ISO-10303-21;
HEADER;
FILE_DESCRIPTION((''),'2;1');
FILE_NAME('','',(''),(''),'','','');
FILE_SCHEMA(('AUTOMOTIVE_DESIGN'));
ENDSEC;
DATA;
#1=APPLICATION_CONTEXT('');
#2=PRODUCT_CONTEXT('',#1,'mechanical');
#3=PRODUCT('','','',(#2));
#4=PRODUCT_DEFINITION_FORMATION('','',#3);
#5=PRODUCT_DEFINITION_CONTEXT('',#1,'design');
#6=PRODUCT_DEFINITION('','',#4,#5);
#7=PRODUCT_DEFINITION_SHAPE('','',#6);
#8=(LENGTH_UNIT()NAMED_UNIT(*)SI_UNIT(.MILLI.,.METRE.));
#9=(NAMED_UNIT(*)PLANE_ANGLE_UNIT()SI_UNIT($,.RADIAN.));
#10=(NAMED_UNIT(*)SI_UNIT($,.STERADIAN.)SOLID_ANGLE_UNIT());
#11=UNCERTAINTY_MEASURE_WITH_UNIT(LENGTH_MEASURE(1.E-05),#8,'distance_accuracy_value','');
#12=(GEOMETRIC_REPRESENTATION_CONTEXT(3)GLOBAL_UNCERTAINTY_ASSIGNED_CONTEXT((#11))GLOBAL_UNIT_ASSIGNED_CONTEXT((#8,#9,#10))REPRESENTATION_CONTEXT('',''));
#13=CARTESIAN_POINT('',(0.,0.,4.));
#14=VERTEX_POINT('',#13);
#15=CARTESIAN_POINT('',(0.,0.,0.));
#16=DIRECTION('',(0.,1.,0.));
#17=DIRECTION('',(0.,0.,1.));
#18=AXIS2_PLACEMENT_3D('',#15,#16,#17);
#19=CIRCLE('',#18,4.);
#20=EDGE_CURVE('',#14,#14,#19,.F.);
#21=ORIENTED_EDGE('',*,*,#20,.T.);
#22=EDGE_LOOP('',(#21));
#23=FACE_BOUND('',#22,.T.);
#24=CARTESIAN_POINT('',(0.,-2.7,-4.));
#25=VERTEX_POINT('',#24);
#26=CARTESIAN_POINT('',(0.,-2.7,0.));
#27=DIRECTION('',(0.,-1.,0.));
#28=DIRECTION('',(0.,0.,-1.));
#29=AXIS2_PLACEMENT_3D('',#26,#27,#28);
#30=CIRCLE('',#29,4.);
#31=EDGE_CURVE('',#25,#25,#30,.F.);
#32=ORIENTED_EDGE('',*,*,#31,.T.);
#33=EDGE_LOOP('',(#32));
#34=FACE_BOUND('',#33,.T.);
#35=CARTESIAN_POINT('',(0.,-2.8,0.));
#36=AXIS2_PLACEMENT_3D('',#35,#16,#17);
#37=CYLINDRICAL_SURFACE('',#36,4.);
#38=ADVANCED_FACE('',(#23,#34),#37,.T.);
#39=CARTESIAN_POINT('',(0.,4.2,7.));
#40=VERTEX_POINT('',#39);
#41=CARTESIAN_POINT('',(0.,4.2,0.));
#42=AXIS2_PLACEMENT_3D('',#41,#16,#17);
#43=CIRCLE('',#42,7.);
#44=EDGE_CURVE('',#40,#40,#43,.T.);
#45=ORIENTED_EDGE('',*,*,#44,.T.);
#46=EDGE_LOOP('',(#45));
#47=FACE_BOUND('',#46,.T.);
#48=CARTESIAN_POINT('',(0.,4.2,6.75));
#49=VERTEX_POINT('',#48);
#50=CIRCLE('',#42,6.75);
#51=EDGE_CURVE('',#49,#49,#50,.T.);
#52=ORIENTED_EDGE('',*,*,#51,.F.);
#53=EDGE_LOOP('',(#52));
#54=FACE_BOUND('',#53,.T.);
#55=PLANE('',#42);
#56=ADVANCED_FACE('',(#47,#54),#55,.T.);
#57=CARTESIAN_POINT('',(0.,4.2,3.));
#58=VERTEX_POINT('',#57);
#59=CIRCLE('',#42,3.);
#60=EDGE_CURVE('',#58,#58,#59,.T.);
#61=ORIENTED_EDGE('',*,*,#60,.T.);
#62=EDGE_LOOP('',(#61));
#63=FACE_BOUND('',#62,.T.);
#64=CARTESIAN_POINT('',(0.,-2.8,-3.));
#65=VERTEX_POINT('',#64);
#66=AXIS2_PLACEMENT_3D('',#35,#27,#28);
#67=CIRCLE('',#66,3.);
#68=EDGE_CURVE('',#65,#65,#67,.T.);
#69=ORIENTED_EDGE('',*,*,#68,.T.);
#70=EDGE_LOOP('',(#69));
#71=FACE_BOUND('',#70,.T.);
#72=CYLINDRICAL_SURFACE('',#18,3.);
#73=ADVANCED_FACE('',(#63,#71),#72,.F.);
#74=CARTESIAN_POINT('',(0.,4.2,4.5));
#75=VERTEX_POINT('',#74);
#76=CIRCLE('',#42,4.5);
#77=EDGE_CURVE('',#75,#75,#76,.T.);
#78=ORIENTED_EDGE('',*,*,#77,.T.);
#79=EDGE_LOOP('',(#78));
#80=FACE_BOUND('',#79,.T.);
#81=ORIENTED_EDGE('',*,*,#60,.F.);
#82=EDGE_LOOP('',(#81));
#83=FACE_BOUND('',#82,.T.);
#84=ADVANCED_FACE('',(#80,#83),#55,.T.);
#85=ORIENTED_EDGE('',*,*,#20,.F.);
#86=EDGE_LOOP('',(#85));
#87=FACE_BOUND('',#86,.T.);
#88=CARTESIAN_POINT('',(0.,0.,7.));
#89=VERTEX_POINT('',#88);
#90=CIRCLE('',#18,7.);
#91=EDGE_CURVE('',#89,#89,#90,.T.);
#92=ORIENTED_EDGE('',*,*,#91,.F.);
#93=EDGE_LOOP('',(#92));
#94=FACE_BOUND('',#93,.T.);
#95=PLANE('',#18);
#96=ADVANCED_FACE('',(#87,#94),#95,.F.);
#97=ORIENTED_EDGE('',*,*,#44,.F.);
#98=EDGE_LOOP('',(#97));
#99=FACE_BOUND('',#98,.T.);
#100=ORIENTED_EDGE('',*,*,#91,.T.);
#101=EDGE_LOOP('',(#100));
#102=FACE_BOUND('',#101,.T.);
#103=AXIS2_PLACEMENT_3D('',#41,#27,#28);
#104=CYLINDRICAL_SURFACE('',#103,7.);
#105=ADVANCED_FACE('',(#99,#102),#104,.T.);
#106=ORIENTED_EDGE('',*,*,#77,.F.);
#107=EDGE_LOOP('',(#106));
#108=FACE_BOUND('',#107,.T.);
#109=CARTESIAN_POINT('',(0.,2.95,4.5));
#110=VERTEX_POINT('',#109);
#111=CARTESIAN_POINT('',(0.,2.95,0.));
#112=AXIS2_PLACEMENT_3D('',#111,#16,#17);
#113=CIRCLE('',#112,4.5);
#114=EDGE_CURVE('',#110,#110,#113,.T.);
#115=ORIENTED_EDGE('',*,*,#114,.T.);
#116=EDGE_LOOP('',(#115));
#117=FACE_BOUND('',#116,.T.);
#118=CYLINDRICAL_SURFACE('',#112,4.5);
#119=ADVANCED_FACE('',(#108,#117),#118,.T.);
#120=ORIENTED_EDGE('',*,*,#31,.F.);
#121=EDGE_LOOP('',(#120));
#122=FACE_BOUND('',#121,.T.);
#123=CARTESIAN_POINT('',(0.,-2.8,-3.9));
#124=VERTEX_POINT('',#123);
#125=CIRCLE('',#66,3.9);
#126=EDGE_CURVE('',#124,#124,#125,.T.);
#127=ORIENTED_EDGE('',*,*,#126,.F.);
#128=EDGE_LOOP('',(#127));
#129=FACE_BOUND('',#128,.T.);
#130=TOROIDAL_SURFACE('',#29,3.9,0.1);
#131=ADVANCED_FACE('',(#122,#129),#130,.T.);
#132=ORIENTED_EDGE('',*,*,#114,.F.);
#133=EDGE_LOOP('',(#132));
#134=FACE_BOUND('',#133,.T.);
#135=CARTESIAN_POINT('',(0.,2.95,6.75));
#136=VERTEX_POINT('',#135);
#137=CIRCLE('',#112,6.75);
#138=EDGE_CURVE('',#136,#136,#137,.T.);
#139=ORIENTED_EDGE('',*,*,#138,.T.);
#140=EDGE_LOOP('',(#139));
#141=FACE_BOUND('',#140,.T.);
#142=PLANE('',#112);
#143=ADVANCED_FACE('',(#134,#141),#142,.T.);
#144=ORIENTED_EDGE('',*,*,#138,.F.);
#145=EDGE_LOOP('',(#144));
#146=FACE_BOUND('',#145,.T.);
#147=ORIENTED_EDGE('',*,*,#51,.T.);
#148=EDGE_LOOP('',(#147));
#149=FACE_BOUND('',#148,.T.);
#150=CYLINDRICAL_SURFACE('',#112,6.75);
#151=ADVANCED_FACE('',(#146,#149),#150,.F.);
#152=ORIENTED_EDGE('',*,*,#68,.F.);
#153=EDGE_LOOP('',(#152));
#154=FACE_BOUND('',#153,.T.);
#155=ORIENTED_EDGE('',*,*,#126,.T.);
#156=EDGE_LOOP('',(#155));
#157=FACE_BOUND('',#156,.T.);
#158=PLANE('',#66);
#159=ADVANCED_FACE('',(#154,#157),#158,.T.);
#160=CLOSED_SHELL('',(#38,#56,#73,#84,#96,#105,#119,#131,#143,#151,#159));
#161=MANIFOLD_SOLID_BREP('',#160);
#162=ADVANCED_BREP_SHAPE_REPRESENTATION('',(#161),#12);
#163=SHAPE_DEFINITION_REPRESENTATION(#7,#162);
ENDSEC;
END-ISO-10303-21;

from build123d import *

# Parameters (mm, degrees)
SKETCH1_R           = 7
BOSS_EXTRUDE1_DEPTH = 4.2
SKETCH2_R           = 3
CUT_EXTRUDE1_DEPTH  = 4.2
SKETCH3_R           = 6.75
SKETCH3_R_2         = 4.5
CUT_EXTRUDE2_DEPTH  = 1.25
SKETCH4_R           = 4
SKETCH4_R_2         = 3
BOSS_EXTRUDE2_DEPTH = 2.8
FILLET1_R           = 0.1


with BuildPart() as part:
    # Sketch1 → Boss-Extrude1 (new body)
    with BuildSketch(Plane(origin=(0, 0, 0), x_dir=(1, 0, 0), z_dir=(0, 1, 0))):
        Circle(SKETCH1_R)
    extrude(amount=BOSS_EXTRUDE1_DEPTH)

    # Sketch2 → Cut-Extrude1 (cut)
    with BuildSketch(Plane(origin=(0, 4.2, 0), x_dir=(1, 0, 0), z_dir=(0, 1, 0))):
        Circle(SKETCH2_R)
    extrude(amount=-CUT_EXTRUDE1_DEPTH, mode=Mode.SUBTRACT)

    # Sketch3 → Cut-Extrude2 (cut)
    with BuildSketch(Plane(origin=(0, 4.2, 0), x_dir=(1, 0, 0), z_dir=(0, 1, 0))):
        Circle(SKETCH3_R)
        Circle(SKETCH3_R_2, mode=Mode.SUBTRACT)
    extrude(amount=-CUT_EXTRUDE2_DEPTH, mode=Mode.SUBTRACT)

    # Sketch4 → Boss-Extrude2 (add)
    with BuildSketch(Plane.XZ):
        Circle(SKETCH4_R)
        Circle(SKETCH4_R_2, mode=Mode.SUBTRACT)
    extrude(amount=BOSS_EXTRUDE2_DEPTH)

    # Fillet1
    fillet1_edges = [part.edges().sort_by_distance(p)[0] for p in [
        (-4, -2.8, 0),
    ]]
    fillet(fillet1_edges, radius=FILLET1_R)


solid = part.part
